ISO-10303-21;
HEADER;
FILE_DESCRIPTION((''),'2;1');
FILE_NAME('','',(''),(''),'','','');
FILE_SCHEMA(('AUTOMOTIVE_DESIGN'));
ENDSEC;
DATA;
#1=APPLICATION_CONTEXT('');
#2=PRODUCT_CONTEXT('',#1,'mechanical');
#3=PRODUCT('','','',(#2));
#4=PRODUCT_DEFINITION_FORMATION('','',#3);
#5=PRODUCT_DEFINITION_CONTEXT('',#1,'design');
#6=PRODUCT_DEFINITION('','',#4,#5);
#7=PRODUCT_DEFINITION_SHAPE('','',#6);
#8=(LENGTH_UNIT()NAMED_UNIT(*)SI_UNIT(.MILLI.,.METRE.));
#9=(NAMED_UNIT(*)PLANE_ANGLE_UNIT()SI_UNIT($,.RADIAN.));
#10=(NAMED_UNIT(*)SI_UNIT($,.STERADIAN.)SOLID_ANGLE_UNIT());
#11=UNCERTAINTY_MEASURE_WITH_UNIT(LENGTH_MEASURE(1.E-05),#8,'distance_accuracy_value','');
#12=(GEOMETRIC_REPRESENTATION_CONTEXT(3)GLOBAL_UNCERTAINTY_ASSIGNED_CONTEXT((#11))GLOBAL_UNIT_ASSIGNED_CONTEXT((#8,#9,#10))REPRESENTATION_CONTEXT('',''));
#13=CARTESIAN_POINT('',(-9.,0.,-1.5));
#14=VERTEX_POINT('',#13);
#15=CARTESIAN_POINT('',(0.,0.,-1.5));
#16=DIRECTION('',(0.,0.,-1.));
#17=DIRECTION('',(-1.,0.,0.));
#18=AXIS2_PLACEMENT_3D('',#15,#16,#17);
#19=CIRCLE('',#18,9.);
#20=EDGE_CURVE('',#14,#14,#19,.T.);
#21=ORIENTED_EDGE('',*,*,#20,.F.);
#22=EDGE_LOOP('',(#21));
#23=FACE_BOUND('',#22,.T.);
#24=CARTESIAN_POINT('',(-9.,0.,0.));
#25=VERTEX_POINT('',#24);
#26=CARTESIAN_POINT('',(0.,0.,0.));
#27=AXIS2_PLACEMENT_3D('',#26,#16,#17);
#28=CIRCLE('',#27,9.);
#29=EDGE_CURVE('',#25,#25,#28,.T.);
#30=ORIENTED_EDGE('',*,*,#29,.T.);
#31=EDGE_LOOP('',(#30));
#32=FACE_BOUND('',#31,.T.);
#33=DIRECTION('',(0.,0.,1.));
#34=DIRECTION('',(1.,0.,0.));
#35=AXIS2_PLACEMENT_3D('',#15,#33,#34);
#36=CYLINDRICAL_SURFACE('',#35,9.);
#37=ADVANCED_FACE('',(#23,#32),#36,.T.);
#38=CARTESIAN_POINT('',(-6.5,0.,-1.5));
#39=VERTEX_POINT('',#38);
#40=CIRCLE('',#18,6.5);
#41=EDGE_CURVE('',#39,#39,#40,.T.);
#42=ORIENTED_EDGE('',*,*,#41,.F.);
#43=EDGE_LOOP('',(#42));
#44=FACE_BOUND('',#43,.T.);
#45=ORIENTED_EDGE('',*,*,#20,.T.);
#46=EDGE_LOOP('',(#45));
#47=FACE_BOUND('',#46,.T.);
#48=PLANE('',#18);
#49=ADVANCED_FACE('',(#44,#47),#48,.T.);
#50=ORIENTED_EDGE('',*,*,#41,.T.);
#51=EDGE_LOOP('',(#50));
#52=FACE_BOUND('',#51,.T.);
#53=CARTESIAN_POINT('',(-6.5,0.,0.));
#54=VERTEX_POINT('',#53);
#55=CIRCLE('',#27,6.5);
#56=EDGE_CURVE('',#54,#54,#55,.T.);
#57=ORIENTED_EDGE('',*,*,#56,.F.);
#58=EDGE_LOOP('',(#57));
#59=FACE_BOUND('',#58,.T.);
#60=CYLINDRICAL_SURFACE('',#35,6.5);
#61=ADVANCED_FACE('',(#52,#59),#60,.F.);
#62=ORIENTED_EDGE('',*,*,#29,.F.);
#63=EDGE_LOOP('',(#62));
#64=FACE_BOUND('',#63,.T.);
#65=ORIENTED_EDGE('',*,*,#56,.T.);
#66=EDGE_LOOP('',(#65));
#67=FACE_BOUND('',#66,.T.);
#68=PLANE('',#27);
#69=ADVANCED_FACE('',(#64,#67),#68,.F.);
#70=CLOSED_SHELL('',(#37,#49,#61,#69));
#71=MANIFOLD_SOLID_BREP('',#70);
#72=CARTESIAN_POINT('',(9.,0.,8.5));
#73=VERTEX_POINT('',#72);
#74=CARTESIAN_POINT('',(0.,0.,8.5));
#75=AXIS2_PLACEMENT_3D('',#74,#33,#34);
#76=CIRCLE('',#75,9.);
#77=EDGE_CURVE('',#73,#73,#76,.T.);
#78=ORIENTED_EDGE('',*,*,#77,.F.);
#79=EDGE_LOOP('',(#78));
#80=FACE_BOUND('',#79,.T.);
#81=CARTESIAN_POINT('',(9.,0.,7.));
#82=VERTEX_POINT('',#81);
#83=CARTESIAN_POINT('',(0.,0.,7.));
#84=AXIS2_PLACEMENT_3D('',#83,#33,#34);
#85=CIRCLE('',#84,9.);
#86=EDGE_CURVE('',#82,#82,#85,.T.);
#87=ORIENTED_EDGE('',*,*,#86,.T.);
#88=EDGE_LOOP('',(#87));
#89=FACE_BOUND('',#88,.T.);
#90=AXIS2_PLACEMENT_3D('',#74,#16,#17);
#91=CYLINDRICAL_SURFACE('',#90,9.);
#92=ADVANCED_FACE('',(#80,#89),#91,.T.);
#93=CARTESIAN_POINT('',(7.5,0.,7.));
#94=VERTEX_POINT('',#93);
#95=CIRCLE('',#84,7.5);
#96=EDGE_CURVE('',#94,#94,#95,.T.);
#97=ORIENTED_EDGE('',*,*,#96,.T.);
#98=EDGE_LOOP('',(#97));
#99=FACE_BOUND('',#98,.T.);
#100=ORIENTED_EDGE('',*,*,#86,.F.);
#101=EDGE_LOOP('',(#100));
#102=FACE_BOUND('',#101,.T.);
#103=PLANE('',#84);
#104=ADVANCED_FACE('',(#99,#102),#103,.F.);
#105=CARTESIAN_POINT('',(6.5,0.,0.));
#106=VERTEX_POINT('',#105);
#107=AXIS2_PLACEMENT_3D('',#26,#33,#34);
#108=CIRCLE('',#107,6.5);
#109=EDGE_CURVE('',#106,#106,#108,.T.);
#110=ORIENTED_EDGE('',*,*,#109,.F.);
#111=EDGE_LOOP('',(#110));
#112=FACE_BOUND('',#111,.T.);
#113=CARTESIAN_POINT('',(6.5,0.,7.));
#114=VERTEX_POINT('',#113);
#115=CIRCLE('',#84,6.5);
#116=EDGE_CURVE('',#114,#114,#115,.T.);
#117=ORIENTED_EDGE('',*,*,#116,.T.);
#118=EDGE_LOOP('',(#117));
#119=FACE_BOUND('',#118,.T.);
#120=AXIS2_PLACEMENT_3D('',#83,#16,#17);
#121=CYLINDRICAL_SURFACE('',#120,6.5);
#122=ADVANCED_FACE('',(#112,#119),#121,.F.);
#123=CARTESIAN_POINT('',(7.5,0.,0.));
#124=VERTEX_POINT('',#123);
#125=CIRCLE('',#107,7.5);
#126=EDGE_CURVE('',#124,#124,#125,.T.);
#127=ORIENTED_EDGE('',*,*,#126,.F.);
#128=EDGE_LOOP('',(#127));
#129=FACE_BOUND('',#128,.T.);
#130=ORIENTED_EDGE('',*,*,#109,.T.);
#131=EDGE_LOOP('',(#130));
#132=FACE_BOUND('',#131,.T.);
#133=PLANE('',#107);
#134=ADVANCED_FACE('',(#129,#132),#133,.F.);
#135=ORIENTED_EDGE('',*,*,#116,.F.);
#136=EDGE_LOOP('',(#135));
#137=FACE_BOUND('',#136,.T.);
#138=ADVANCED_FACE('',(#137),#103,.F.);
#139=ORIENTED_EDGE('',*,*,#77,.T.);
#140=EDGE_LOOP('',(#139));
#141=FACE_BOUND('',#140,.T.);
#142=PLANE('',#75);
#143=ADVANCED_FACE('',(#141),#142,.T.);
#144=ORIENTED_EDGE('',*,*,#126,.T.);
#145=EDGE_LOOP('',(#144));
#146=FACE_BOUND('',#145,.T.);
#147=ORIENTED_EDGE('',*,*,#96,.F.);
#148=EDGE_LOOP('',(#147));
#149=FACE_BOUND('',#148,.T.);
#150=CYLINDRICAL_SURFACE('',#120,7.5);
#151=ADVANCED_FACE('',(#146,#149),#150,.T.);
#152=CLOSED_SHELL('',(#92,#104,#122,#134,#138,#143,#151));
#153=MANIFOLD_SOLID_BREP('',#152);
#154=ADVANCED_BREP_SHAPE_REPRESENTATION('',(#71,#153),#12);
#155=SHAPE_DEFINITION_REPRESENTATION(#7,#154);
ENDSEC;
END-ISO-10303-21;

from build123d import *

# Parameters (mm, degrees)
SKETCH1_R           = 7.5
SKETCH1_R_2         = 6.5
BOSS_EXTRUDE2_DEPTH = 7
SKETCH3_R           = 9
BOSS_EXTRUDE3_DEPTH = 1.5
SKETCH4_R           = 9
SKETCH4_R_2         = 6.5
BOSS_EXTRUDE4_DEPTH = 1.5


with BuildPart() as part:
    # Sketch1 → Boss-Extrude2 (new body)
    with BuildSketch(Plane.XY):
        Circle(SKETCH1_R)
        Circle(SKETCH1_R_2, mode=Mode.SUBTRACT)
    extrude(amount=BOSS_EXTRUDE2_DEPTH)

    # Sketch3 → Boss-Extrude3 (add)
    with BuildSketch(Plane.XY.offset(7)):
        Circle(SKETCH3_R)
    extrude(amount=BOSS_EXTRUDE3_DEPTH)


with BuildPart() as body_2:
    # Sketch4 → Boss-Extrude4 (new body)
    with BuildSketch(Plane(origin=(0, 0, 0), x_dir=(-1, 0, 0), z_dir=(0, 0, -1))):
        Circle(SKETCH4_R)
        Circle(SKETCH4_R_2, mode=Mode.SUBTRACT)
    extrude(amount=BOSS_EXTRUDE4_DEPTH)


solid = Compound([part.part, body_2.part])
